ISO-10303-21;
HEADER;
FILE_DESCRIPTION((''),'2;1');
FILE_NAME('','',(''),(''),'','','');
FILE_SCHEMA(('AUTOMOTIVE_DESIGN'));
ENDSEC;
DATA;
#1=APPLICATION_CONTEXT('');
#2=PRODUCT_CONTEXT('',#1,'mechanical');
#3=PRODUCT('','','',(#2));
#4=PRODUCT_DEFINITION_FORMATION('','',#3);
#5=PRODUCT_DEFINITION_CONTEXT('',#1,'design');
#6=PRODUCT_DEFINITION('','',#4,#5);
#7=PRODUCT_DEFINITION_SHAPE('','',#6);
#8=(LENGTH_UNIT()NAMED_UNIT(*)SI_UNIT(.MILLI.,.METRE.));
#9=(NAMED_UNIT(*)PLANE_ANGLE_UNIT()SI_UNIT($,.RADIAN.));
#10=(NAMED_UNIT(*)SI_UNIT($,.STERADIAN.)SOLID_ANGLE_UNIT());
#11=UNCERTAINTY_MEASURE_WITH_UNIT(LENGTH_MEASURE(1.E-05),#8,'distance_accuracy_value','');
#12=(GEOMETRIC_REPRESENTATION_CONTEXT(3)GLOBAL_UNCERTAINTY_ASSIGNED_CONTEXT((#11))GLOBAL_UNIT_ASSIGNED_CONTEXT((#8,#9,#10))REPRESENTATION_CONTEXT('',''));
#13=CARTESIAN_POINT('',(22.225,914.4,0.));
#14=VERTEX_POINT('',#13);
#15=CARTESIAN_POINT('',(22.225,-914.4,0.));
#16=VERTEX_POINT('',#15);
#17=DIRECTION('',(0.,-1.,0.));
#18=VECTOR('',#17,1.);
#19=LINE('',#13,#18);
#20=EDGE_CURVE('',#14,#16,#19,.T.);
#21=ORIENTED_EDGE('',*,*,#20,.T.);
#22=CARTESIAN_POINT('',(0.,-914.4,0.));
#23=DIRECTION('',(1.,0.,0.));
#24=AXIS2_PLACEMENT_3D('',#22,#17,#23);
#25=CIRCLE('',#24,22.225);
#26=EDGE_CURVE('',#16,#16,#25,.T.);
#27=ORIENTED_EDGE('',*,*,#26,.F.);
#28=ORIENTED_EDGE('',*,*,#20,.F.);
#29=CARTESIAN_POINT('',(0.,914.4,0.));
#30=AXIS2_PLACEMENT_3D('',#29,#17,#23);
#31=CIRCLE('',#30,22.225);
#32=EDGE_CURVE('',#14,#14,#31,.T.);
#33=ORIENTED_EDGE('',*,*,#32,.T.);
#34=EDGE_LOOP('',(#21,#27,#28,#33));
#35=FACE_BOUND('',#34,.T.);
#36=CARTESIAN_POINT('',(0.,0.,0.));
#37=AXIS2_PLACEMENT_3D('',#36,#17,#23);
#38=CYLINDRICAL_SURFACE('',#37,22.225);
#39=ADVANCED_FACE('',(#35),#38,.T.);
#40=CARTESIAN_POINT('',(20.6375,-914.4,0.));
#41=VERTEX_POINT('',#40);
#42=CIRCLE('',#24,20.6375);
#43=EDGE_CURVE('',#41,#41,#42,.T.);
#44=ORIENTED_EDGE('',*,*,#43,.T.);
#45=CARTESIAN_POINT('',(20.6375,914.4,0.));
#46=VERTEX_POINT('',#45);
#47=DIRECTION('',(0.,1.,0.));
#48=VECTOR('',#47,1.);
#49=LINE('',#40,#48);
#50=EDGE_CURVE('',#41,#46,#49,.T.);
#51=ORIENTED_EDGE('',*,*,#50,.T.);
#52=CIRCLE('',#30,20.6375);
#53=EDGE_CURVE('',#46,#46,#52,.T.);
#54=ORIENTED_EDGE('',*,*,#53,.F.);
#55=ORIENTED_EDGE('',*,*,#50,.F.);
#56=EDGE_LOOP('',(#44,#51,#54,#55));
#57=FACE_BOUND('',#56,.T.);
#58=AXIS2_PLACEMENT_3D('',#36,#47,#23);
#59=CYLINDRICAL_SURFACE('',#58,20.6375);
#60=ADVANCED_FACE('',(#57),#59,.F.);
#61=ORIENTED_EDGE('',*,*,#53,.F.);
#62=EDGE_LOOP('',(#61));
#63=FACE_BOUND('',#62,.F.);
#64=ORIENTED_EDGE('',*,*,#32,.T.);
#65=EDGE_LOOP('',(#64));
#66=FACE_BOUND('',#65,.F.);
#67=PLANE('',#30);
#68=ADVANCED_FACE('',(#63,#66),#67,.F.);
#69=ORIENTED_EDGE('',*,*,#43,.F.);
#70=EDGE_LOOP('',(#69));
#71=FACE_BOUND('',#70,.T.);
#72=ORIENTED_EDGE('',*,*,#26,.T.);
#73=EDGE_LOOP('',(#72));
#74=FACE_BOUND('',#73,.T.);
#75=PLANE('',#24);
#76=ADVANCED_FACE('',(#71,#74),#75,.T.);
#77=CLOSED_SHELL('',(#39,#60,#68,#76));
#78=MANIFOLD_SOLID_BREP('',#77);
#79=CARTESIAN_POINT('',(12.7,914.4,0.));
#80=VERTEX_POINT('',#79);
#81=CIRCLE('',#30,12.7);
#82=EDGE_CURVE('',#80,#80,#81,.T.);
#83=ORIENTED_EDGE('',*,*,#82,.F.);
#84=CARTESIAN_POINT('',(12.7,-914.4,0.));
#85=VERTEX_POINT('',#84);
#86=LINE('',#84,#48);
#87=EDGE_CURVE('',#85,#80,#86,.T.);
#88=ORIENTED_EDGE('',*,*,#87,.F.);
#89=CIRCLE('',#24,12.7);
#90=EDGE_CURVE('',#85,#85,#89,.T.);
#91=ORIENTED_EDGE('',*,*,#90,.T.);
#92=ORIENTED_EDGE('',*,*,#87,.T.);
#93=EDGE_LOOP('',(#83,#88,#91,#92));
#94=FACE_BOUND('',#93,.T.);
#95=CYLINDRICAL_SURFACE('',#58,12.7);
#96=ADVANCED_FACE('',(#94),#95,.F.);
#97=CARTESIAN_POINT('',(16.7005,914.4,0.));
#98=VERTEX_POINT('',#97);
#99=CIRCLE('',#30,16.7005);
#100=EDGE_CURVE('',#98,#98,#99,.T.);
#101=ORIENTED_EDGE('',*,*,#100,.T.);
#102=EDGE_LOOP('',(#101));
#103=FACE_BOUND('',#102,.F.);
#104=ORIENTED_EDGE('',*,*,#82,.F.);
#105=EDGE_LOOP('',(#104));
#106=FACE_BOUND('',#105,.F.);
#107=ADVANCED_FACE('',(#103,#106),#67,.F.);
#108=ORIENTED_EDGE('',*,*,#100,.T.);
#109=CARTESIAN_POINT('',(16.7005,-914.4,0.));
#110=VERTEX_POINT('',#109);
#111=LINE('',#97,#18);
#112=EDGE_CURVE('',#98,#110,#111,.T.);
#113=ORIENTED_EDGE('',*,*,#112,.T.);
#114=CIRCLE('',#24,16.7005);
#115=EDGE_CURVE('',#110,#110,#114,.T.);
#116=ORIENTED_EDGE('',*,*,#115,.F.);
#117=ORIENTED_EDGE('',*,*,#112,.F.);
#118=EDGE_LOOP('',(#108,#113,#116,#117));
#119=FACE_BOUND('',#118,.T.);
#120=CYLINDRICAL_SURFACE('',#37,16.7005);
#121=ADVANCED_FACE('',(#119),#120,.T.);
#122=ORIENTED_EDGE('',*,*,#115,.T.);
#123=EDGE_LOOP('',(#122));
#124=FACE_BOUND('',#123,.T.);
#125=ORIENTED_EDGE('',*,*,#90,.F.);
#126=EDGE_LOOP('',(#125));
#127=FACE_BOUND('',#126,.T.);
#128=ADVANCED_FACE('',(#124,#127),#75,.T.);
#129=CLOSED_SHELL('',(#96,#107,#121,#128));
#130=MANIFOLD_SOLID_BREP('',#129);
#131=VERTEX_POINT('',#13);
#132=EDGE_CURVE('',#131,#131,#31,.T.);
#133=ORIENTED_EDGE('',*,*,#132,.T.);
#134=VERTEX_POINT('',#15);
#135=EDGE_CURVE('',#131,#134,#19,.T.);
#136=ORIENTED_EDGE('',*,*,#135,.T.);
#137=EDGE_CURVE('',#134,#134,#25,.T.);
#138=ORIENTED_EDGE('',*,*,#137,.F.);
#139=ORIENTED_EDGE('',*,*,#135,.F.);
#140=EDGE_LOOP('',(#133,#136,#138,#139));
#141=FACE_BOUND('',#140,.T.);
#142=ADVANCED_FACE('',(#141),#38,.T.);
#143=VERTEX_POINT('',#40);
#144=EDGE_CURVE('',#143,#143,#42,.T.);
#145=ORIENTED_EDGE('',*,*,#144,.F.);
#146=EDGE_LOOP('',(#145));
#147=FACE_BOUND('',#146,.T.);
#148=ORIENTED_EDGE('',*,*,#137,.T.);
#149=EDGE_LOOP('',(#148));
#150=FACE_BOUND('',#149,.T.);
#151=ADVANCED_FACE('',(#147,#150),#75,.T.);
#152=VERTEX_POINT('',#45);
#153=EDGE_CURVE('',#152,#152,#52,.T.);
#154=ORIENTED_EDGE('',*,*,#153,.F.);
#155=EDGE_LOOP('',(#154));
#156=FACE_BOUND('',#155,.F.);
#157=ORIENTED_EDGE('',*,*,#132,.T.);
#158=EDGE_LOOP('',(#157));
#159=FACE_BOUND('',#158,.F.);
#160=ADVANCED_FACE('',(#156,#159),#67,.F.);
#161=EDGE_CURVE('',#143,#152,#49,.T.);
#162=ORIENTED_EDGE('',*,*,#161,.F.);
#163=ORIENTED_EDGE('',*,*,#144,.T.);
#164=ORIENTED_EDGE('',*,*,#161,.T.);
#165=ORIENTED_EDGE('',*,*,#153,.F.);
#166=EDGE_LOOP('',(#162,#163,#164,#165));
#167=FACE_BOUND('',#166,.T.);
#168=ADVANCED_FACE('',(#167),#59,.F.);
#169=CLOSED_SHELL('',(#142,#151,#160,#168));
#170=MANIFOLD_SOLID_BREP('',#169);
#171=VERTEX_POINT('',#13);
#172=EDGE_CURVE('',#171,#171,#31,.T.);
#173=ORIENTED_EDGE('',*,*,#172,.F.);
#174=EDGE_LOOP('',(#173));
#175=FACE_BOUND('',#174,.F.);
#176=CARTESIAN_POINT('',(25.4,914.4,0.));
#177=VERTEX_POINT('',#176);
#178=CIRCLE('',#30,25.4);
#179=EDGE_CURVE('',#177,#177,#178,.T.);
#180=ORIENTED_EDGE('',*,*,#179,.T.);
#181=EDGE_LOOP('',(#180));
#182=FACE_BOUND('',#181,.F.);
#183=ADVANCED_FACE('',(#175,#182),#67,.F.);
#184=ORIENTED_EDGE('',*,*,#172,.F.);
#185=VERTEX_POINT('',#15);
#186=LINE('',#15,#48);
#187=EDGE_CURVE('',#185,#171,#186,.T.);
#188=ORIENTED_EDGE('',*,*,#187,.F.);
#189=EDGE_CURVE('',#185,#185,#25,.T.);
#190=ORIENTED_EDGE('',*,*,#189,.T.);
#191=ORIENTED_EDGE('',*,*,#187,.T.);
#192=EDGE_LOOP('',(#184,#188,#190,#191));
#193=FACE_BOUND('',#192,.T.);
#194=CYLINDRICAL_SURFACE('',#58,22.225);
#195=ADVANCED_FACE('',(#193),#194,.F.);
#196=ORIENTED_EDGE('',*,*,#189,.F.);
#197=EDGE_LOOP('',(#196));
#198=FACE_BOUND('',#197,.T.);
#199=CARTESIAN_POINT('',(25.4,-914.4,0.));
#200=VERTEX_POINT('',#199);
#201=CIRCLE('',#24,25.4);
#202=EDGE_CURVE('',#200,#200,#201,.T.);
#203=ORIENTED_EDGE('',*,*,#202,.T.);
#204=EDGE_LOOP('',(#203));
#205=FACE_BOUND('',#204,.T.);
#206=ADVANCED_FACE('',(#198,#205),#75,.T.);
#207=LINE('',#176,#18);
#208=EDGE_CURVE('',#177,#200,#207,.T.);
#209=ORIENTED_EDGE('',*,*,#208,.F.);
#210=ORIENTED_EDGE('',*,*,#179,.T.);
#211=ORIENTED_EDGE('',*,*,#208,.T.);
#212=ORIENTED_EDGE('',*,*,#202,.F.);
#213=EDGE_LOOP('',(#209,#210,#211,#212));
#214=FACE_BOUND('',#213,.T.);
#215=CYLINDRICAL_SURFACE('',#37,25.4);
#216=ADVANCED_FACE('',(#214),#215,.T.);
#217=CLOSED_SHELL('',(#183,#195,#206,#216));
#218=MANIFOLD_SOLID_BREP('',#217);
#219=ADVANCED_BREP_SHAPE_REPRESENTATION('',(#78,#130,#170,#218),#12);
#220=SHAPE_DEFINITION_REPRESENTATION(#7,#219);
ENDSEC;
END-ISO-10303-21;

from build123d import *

# Parameters (mm, degrees)
F2_R     = 22.225
F2_R_2   = 20.6375
F4_DEPTH = 914.4
F1_R     = 22.225
F1_R_2   = 20.6375
F5_DEPTH = 914.4
F0_R     = 25.4
F0_R_2   = 22.225
F6_DEPTH = 914.4
F3_R     = 16.7005
F3_R_2   = 12.7
F7_DEPTH = 914.4


with BuildPart() as f4:
    # F2 (on Front) → F4 (new body, symmetric)
    with BuildSketch(Plane.XZ):
        Circle(F2_R)
        Circle(F2_R_2, mode=Mode.SUBTRACT)
    extrude(amount=F4_DEPTH, both=True)


with BuildPart() as f5:
    # F1 (on Front) → F5 (new body, symmetric)
    with BuildSketch(Plane.XZ):
        Circle(F1_R)
        Circle(F1_R_2, mode=Mode.SUBTRACT)
    extrude(amount=F5_DEPTH, both=True)


with BuildPart() as f6:
    # F0 (on Front) → F6 (new body, symmetric)
    with BuildSketch(Plane.XZ):
        Circle(F0_R)
        Circle(F0_R_2, mode=Mode.SUBTRACT)
    extrude(amount=F6_DEPTH, both=True)


with BuildPart() as f7:
    # F3 (on Front) → F7 (new body, symmetric)
    with BuildSketch(Plane.XZ):
        Circle(F3_R)
        Circle(F3_R_2, mode=Mode.SUBTRACT)
    extrude(amount=F7_DEPTH, both=True)


solid = Compound([f4.part, f5.part, f6.part, f7.part])
